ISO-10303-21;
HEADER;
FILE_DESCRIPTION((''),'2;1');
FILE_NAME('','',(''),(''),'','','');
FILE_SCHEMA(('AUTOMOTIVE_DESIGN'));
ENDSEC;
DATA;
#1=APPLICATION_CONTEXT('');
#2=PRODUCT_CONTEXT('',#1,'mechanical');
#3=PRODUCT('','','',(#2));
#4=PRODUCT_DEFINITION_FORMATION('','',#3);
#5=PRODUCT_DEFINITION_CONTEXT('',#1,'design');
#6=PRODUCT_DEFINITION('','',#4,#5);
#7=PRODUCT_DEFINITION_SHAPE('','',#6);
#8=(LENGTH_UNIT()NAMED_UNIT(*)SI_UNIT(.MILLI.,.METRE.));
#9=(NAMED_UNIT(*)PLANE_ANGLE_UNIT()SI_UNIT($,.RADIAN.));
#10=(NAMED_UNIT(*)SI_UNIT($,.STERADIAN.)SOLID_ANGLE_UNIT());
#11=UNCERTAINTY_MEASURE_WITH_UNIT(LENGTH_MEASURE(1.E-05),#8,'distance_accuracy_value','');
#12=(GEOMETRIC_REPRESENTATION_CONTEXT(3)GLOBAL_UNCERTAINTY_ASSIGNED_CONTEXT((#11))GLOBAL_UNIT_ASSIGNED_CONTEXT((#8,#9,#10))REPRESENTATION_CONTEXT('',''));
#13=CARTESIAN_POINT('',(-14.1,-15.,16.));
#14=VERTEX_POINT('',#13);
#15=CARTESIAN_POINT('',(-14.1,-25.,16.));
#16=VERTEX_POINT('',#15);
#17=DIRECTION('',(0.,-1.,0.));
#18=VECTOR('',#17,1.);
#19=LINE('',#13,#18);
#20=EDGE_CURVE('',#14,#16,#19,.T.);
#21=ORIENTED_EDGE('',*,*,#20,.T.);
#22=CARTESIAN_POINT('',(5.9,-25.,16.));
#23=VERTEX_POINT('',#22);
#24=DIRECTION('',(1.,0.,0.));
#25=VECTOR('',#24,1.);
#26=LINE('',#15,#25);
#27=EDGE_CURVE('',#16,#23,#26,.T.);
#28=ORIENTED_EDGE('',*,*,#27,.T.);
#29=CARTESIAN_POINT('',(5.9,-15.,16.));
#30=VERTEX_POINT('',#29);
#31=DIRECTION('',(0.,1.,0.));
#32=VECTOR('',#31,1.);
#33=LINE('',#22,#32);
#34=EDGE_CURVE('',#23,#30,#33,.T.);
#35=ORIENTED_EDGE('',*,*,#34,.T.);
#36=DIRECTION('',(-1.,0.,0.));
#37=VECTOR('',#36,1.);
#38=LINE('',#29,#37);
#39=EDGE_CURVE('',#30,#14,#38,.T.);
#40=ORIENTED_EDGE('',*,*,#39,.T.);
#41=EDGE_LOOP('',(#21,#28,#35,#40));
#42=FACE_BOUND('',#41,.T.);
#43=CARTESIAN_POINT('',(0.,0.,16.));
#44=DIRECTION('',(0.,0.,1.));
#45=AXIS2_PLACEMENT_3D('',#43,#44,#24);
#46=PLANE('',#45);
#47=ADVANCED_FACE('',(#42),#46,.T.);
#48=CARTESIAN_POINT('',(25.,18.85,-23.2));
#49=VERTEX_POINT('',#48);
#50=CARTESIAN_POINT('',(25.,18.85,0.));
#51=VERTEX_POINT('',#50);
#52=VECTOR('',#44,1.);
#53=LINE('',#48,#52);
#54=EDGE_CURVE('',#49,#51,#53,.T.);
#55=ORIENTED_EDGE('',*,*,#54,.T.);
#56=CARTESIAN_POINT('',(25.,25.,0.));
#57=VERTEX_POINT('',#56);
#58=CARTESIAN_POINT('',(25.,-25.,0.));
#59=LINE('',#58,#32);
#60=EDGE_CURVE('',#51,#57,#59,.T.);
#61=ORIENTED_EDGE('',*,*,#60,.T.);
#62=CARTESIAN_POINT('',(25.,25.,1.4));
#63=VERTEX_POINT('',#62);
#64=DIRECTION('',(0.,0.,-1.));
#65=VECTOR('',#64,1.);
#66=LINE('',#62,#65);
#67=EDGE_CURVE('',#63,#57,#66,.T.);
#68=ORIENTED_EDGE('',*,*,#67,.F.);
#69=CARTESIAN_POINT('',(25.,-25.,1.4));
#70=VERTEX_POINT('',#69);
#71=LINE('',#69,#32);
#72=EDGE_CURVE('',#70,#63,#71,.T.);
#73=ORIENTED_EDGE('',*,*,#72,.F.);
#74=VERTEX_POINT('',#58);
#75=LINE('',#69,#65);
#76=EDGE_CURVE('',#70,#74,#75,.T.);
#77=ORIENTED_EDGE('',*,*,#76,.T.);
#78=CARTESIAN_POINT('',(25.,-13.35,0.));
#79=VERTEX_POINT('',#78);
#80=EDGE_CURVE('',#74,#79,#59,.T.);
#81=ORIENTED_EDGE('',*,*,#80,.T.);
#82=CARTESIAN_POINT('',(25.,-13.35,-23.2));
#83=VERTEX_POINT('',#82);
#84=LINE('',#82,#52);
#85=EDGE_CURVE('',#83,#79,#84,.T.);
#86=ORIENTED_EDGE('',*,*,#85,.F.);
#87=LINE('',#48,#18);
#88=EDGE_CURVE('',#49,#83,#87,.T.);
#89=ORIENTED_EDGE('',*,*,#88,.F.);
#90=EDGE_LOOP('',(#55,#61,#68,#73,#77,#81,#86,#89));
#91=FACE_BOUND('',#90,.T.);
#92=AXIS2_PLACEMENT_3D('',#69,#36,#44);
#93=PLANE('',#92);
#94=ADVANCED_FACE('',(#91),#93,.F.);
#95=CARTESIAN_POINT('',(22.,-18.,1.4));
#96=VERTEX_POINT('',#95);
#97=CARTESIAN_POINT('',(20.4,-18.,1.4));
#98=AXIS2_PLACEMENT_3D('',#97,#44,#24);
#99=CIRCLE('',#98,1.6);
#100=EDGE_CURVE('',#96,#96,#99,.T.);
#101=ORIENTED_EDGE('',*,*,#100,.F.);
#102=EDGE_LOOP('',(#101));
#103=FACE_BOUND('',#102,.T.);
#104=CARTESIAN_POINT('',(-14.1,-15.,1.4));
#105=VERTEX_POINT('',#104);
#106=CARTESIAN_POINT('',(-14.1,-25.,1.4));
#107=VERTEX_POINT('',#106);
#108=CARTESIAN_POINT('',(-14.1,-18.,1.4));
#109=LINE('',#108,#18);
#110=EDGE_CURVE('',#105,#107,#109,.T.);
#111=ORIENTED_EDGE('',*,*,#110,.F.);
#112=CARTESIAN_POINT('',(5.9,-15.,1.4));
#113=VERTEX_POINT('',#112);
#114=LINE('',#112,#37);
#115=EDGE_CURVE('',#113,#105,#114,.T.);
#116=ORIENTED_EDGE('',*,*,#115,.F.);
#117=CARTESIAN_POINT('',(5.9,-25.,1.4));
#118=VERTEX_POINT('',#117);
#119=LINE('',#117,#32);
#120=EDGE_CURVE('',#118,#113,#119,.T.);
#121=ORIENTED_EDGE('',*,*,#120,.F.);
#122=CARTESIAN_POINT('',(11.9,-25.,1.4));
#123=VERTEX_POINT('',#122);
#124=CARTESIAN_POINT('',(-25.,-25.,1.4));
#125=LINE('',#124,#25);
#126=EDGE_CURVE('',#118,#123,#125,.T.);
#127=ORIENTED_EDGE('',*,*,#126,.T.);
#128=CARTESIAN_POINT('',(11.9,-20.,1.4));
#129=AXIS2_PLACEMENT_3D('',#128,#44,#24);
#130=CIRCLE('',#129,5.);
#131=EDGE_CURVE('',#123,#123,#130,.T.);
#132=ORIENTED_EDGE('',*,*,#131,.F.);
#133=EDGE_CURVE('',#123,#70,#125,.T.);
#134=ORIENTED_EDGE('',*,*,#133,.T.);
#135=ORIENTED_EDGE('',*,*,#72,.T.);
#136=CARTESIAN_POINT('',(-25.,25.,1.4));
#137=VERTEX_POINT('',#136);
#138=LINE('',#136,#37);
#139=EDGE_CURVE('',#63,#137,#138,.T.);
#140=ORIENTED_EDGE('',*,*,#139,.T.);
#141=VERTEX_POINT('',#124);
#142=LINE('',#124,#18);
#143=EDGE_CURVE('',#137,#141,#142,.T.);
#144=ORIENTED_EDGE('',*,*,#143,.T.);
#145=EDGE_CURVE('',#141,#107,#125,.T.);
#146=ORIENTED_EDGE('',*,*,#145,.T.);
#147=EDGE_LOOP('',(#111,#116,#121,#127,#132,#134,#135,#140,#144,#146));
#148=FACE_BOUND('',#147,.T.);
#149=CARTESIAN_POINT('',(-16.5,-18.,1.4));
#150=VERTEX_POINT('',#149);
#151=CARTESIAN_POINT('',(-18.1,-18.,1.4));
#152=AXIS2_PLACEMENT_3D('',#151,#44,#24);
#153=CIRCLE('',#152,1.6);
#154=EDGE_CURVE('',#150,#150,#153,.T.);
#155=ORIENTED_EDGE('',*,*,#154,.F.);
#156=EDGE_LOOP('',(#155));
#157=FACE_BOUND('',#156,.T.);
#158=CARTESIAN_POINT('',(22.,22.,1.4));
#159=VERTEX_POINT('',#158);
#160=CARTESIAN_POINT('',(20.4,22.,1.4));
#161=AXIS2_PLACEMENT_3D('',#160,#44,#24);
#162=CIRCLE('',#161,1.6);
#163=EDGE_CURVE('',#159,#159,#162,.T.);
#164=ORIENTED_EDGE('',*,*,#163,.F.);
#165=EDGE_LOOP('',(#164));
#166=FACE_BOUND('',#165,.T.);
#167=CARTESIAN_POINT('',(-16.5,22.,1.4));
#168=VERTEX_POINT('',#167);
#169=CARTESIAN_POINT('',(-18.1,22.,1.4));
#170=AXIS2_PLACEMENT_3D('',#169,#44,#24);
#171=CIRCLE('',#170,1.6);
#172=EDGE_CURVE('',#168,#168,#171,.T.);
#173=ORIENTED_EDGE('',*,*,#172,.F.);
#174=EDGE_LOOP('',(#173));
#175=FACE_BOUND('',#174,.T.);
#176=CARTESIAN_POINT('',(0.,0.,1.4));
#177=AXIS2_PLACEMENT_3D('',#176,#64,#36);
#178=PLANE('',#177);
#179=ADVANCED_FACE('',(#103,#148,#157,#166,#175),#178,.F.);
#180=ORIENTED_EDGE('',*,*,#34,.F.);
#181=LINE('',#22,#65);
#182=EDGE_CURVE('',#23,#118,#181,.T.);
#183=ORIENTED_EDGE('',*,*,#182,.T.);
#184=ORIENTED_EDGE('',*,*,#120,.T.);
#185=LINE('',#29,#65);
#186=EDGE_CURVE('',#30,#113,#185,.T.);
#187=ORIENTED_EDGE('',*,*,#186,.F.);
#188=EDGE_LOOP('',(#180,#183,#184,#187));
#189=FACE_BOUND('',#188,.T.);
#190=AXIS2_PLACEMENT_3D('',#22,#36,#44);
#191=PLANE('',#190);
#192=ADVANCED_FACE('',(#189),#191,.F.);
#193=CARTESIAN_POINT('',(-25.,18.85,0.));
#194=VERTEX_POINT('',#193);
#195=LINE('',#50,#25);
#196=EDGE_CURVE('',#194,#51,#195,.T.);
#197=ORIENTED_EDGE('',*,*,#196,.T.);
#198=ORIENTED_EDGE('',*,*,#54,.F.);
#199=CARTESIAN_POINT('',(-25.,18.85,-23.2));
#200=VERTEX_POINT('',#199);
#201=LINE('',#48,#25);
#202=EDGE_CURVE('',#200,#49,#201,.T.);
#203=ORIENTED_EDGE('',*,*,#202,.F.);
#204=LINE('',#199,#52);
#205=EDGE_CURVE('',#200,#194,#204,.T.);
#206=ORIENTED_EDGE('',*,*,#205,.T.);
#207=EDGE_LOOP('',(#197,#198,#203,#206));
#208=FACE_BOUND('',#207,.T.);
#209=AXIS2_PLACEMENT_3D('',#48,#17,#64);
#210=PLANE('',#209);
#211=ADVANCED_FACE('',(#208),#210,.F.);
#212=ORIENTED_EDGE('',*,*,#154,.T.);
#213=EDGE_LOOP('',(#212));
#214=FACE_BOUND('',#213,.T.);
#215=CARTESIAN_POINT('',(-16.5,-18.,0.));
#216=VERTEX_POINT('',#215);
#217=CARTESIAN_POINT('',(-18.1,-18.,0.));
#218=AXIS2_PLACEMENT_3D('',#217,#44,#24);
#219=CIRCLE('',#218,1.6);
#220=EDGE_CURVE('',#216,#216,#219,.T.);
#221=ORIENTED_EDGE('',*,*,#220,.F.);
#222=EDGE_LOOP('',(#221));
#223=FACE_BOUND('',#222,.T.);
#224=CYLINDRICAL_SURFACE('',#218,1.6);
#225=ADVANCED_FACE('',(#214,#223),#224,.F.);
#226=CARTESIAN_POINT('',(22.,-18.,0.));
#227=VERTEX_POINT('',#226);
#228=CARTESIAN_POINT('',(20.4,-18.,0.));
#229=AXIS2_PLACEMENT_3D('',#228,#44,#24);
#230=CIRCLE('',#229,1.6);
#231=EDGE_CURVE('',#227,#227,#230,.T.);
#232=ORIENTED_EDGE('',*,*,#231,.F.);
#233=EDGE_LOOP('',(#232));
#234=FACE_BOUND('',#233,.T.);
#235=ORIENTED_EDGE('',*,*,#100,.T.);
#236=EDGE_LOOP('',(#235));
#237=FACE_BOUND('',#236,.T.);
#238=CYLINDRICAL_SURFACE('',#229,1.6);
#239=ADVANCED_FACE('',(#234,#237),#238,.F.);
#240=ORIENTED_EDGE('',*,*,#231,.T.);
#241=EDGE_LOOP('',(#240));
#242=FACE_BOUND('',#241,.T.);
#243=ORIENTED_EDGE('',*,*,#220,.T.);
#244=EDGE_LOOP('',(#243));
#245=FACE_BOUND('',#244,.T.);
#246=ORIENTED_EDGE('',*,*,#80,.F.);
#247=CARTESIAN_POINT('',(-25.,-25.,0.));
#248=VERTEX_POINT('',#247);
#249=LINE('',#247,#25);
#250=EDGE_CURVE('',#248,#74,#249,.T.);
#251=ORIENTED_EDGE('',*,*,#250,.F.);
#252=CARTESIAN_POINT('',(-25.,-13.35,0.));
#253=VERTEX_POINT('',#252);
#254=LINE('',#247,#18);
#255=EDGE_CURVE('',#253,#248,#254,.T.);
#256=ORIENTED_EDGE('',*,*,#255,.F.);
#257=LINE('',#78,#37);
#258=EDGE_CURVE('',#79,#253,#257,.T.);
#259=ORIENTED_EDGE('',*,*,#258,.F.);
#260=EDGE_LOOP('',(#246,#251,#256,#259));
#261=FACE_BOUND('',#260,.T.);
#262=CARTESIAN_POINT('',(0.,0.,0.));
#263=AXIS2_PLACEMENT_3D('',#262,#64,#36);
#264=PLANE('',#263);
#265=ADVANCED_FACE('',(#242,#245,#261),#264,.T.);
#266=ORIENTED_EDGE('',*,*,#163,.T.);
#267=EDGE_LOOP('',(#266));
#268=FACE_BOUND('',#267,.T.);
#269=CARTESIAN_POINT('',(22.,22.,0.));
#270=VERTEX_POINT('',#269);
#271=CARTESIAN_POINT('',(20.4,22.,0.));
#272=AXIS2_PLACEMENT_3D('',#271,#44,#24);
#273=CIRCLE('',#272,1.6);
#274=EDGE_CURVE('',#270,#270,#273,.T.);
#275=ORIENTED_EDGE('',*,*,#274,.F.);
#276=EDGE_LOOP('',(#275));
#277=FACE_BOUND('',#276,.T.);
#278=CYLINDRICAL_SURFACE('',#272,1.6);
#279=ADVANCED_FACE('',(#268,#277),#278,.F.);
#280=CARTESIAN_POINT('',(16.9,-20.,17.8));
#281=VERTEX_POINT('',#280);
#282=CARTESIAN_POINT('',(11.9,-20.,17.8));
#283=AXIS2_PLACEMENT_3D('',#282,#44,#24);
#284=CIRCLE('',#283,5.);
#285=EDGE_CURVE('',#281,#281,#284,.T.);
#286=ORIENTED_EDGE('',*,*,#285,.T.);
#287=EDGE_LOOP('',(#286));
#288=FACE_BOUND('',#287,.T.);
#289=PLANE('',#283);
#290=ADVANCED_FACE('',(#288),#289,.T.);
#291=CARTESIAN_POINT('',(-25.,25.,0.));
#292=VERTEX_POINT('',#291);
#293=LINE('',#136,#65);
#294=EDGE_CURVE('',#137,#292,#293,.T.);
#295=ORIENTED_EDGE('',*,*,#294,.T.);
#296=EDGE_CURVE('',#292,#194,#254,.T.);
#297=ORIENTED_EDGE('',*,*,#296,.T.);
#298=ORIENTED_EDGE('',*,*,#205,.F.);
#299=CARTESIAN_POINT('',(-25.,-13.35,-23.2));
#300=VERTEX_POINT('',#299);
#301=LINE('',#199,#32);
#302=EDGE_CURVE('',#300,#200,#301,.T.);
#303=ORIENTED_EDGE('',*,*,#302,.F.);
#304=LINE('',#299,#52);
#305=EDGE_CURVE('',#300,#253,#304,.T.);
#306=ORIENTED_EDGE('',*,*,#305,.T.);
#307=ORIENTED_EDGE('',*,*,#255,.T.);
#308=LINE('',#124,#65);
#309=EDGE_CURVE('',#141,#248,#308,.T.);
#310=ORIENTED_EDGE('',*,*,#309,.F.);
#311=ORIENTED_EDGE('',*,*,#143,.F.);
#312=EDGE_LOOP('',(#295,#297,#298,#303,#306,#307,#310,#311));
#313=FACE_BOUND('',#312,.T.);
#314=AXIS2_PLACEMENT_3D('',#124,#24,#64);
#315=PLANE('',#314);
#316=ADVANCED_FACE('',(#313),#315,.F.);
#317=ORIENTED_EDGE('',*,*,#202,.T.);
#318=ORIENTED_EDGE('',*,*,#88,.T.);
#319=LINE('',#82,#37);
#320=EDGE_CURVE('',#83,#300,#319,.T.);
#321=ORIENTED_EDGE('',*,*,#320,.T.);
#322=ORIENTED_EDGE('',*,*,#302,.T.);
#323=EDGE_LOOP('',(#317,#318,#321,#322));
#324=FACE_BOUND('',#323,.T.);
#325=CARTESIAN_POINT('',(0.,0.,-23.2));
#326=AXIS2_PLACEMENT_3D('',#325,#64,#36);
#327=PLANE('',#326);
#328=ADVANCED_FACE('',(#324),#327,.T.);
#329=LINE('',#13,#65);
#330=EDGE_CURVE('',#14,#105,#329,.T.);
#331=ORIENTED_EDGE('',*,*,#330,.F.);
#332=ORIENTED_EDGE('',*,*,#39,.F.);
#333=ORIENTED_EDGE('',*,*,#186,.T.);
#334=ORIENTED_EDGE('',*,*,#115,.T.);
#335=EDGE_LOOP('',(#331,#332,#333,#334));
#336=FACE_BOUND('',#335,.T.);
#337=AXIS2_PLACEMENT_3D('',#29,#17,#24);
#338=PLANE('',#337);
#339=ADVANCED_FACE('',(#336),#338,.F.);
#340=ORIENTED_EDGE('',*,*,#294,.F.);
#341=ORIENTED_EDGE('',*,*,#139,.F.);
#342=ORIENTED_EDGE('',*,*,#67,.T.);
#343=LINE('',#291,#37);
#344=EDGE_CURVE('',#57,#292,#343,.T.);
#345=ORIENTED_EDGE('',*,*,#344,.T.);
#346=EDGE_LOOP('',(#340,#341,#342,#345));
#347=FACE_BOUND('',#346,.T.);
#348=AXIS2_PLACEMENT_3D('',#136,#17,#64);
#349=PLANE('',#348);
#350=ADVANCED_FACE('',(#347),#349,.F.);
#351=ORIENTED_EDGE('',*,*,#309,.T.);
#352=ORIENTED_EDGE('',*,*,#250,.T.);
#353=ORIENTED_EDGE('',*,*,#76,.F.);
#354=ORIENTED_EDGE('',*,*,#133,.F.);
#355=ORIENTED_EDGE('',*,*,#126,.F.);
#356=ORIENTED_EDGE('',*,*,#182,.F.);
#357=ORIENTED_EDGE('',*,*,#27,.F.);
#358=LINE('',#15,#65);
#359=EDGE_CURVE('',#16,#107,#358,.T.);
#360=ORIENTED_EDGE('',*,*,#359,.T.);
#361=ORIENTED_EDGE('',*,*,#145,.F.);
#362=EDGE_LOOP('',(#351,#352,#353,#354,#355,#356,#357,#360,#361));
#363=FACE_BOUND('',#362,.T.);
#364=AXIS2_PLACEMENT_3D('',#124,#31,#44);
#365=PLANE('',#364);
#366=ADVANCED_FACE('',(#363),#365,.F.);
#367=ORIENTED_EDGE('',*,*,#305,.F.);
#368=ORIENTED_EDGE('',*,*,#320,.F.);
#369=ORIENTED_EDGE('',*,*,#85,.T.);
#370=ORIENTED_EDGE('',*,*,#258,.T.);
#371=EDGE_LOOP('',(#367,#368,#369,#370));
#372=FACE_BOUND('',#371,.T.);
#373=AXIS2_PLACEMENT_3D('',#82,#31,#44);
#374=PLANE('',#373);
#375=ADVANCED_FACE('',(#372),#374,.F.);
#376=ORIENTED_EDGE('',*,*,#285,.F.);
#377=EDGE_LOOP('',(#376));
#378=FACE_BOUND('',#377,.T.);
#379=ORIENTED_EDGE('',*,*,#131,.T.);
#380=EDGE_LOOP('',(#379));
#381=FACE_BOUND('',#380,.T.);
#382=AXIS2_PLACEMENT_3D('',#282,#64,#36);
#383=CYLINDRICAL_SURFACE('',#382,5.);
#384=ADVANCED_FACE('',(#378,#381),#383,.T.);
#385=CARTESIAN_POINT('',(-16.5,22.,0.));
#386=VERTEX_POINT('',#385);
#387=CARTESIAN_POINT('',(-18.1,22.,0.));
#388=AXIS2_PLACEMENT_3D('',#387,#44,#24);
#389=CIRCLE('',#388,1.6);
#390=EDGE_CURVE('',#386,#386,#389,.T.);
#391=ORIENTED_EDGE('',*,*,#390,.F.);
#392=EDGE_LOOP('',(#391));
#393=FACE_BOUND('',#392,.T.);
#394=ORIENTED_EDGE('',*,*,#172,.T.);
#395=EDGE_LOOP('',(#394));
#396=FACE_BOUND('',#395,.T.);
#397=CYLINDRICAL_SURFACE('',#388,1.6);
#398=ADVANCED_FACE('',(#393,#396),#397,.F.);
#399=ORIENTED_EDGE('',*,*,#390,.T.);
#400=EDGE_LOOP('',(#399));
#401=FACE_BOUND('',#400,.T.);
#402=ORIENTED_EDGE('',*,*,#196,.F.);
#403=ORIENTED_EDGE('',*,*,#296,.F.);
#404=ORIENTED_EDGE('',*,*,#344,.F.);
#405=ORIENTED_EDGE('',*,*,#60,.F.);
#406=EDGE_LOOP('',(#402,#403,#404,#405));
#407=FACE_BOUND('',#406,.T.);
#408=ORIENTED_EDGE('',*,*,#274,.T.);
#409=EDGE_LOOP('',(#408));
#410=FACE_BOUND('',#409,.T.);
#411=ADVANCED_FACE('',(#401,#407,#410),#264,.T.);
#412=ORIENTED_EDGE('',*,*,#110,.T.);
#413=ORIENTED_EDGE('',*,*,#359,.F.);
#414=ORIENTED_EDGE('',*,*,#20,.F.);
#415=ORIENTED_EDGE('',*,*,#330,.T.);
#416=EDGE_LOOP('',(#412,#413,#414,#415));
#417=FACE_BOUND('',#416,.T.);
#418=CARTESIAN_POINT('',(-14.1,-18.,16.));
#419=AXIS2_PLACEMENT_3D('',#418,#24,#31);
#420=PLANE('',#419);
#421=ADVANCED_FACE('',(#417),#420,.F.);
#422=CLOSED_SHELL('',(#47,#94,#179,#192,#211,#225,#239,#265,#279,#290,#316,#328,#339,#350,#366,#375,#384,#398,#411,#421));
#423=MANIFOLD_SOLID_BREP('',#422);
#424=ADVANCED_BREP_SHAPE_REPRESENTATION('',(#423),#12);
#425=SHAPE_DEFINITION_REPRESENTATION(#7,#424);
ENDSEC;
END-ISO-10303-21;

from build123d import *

# Parameters (mm, degrees)
CROQUIS2_W              = 50
CROQUIS2_H              = 50
SALIENTE_EXTRUIR1_DEPTH = 1.4
CROQUIS3_R              = 1.6
CORTAR_EXTRUIR1_DEPTH   = 1.4
CROQUIS4_W              = 50
CROQUIS4_H              = 32.2
SALIENTE_EXTRUIR2_DEPTH = 23.2
SALIENTE_EXTRUIR3_DEPTH = 14.6
CROQUIS6_R              = 5
SALIENTE_EXTRUIR4_DEPTH = 16.4


with BuildPart() as part:
    # Croquis2 → Saliente-Extruir1 (new body)
    with BuildSketch(Plane.XY):
        Rectangle(CROQUIS2_W, CROQUIS2_H)
    extrude(amount=SALIENTE_EXTRUIR1_DEPTH)

    # Croquis3 → Cortar-Extruir1 (cut)
    with BuildSketch(Plane.XY.offset(1.4)):
        with Locations((20.4, 22)):
            Circle(CROQUIS3_R)
        with Locations((20.4, -18)):
            Circle(CROQUIS3_R)
        with Locations((-18.1, 22)):
            Circle(CROQUIS3_R)
        with Locations((-18.1, -18)):
            Circle(CROQUIS3_R)
    extrude(amount=-CORTAR_EXTRUIR1_DEPTH, mode=Mode.SUBTRACT)

    # Croquis4 → Saliente-Extruir2 (add)
    with BuildSketch(Plane(origin=(0, 0, 0), x_dir=(-1, 0, 0), z_dir=(0, 0, -1))):
        with Locations((0, 2.75)):
            Rectangle(CROQUIS4_W, CROQUIS4_H)
    extrude(amount=SALIENTE_EXTRUIR2_DEPTH)

    # Croquis5 → Saliente-Extruir3 (add)
    with BuildSketch(Plane.XY.offset(1.4)):
        Polygon((-14.1, -18), (-14.1, -25), (5.9, -25), (5.9, -15), (-14.1, -15), align=None)
    extrude(amount=SALIENTE_EXTRUIR3_DEPTH)

    # Croquis6 → Saliente-Extruir4 (add)
    with BuildSketch(Plane.XY.offset(1.4)):
        with Locations(Location((11.9, -20, 0), (0, 0, 270))):
            Circle(CROQUIS6_R)
    extrude(amount=SALIENTE_EXTRUIR4_DEPTH)


solid = part.part
